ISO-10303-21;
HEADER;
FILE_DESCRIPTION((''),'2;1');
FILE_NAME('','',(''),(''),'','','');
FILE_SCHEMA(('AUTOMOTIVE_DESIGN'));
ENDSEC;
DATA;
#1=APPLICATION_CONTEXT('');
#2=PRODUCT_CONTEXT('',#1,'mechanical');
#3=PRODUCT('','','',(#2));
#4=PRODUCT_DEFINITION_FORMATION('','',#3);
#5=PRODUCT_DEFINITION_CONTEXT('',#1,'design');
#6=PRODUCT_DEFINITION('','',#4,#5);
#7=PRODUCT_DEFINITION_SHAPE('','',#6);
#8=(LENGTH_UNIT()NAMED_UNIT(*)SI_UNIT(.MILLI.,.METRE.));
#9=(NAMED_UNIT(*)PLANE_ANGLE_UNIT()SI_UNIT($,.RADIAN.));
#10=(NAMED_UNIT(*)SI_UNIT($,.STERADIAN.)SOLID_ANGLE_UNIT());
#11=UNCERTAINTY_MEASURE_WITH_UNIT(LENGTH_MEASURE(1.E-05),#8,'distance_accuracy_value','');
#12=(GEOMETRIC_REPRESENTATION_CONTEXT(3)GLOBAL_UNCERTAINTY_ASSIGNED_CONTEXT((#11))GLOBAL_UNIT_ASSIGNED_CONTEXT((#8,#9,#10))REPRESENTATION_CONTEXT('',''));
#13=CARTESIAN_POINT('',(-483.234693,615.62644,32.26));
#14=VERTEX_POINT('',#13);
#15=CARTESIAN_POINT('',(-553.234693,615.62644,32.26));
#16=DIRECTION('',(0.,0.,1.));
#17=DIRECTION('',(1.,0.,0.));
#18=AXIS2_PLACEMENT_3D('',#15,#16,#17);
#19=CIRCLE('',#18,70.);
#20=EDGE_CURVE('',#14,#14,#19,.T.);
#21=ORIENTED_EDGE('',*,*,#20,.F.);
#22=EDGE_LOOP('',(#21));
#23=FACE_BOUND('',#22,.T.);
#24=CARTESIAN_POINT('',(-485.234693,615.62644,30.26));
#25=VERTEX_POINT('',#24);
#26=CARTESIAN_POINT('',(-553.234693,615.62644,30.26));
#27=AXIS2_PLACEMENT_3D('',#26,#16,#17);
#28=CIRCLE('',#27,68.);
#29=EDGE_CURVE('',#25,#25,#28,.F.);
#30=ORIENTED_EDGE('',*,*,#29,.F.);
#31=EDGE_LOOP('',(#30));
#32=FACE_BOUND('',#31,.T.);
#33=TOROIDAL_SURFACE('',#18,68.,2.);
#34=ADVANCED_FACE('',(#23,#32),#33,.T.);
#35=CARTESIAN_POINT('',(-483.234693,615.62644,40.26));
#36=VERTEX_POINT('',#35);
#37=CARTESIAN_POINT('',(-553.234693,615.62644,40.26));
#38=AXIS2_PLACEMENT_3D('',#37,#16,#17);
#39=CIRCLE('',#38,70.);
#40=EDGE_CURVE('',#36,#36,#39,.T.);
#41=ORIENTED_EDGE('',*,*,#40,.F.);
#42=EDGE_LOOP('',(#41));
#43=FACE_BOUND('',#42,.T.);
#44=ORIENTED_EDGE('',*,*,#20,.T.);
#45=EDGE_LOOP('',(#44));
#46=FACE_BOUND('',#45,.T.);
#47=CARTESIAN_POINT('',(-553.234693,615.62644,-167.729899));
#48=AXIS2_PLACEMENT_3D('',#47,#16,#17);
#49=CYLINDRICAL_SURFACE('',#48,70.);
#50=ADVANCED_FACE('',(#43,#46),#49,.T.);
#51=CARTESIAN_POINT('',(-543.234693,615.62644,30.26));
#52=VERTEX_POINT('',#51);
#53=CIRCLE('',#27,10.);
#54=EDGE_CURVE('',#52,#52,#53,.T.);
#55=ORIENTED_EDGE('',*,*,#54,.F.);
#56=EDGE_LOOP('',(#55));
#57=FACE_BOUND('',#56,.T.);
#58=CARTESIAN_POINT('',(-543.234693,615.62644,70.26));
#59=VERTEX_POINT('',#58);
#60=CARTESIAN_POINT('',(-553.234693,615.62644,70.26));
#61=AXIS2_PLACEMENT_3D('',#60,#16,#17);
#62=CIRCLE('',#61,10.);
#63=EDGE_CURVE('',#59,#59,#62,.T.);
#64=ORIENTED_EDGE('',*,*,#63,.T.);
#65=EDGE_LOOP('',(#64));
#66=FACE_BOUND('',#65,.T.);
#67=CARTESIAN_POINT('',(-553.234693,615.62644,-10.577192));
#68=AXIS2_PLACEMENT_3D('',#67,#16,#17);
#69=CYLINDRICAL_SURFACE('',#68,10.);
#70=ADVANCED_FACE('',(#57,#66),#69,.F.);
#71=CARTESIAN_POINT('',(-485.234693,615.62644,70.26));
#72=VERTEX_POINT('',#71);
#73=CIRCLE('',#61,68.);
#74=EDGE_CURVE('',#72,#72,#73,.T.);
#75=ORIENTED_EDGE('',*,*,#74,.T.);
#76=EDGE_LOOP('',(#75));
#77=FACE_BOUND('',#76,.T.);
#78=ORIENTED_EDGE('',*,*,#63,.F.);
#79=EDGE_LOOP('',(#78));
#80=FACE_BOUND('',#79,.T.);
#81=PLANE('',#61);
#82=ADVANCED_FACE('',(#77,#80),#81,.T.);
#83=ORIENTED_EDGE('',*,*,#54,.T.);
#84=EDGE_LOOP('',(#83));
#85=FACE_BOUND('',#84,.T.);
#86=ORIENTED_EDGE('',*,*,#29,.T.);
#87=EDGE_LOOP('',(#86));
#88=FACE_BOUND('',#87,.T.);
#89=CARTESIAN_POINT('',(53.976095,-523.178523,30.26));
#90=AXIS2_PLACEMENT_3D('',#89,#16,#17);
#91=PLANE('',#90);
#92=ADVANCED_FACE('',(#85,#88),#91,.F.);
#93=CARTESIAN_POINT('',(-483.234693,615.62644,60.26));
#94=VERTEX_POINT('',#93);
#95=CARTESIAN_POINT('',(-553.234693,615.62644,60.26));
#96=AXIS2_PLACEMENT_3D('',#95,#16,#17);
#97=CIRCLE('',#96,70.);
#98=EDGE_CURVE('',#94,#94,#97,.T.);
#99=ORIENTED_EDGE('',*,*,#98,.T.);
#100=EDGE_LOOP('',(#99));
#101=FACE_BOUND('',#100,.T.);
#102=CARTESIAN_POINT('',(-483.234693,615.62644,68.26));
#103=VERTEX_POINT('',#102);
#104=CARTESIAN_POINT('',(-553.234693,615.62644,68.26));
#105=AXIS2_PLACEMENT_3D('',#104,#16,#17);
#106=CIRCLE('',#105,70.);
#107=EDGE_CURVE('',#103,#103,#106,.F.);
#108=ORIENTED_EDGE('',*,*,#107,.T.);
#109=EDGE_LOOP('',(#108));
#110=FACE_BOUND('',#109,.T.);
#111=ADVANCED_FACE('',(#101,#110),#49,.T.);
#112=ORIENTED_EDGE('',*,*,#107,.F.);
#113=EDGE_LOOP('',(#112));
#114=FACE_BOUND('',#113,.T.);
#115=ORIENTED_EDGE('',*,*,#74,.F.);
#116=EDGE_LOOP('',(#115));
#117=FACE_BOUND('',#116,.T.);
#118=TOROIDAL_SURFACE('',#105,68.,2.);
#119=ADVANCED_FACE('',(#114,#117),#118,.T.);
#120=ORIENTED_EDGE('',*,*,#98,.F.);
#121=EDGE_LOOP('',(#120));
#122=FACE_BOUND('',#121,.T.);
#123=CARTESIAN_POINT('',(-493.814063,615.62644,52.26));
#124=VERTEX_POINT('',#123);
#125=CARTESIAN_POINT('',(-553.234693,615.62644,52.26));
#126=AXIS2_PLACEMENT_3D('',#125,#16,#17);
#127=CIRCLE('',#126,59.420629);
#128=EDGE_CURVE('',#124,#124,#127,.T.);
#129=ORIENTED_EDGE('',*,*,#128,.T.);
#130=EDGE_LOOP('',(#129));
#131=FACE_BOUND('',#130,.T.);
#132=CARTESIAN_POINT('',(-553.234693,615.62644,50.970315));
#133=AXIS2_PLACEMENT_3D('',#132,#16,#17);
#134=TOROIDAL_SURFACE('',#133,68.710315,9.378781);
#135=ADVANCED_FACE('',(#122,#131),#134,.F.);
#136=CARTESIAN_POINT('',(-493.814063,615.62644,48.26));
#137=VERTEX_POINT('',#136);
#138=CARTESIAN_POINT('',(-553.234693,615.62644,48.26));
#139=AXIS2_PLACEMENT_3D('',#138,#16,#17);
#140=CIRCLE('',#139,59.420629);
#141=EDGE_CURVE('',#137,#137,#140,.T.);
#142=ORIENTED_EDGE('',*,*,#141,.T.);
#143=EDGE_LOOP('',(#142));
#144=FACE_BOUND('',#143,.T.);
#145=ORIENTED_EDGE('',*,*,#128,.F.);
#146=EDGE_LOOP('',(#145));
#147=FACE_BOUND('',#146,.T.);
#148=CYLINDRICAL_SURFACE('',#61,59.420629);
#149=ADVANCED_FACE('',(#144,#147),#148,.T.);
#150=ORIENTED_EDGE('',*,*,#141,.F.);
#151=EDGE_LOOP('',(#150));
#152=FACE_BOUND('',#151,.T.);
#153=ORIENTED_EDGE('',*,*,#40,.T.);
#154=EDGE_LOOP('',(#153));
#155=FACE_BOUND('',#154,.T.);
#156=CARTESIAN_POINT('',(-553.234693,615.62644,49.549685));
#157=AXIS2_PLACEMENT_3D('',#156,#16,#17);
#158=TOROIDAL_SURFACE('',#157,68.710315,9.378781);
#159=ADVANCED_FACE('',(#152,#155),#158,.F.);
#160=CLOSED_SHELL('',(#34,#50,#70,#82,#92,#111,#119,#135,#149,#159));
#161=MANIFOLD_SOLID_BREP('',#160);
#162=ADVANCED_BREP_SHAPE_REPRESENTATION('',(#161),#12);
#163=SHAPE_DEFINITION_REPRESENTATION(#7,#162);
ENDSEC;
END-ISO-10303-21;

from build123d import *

# Parameters (mm, degrees)
SKETCH_1_R      = 70
SKETCH_1_R_2    = 14.438127561
EXTRUDE_1_DEPTH = 40
SKETCH_2_R      = 14.438127561
SKETCH_2_R_2    = 10
EXTRUDE_2_DEPTH = 40
FILLET_1_R      = 2


with BuildPart() as part:
    # 草图1 → 凸台-拉伸1 (new body)
    with BuildSketch(Plane.XY.offset(70.26)):
        with Locations((-553.234692624, 615.626439551)):
            Circle(SKETCH_1_R)
        with Locations((-553.234692624, 615.626439551)):
            Circle(SKETCH_1_R_2, mode=Mode.SUBTRACT)
    extrude(amount=-EXTRUDE_1_DEPTH)

    # 草图2 → 凸台-拉伸2 (add)
    with BuildSketch(Plane.XY.offset(70.26)):
        with Locations((-553.234692624, 615.626439551)):
            Circle(SKETCH_2_R)
        with Locations((-553.234692624, 615.626439551)):
            Circle(SKETCH_2_R_2, mode=Mode.SUBTRACT)
    extrude(amount=-EXTRUDE_2_DEPTH)

    # 草图4 → 切除-旋转1 (revolve, cut)
    with BuildSketch(Plane(origin=(0, 615.626439551, 0), x_dir=(1, 0, 0), z_dir=(0, 1, 0))):
        with BuildLine():
            Line((-493.814063129, -48.26), (-493.814063129, -52.26))
            ThreePointArc((-493.814063129, -52.26), (-490.181232126, -58.451059372), (-483.234692624, -60.26))
            Line((-483.234692624, -60.26), (-483.234692624, -40.26))
            ThreePointArc((-483.234692624, -40.26), (-490.181232126, -42.068940628), (-493.814063129, -48.26))
        make_face()
    revolve(axis=Axis((-553.234692624, 615.626439551, 70.26), (0, 0, -1)), mode=Mode.SUBTRACT)

    # 圆角1
    fillet_1_edges = [part.edges().sort_by_distance(p)[0] for p in [
        (-623.234692624, 615.626439551, 70.26),
        (-623.234692624, 615.626439551, 30.26),
    ]]
    fillet(fillet_1_edges, radius=FILLET_1_R)


solid = part.part
